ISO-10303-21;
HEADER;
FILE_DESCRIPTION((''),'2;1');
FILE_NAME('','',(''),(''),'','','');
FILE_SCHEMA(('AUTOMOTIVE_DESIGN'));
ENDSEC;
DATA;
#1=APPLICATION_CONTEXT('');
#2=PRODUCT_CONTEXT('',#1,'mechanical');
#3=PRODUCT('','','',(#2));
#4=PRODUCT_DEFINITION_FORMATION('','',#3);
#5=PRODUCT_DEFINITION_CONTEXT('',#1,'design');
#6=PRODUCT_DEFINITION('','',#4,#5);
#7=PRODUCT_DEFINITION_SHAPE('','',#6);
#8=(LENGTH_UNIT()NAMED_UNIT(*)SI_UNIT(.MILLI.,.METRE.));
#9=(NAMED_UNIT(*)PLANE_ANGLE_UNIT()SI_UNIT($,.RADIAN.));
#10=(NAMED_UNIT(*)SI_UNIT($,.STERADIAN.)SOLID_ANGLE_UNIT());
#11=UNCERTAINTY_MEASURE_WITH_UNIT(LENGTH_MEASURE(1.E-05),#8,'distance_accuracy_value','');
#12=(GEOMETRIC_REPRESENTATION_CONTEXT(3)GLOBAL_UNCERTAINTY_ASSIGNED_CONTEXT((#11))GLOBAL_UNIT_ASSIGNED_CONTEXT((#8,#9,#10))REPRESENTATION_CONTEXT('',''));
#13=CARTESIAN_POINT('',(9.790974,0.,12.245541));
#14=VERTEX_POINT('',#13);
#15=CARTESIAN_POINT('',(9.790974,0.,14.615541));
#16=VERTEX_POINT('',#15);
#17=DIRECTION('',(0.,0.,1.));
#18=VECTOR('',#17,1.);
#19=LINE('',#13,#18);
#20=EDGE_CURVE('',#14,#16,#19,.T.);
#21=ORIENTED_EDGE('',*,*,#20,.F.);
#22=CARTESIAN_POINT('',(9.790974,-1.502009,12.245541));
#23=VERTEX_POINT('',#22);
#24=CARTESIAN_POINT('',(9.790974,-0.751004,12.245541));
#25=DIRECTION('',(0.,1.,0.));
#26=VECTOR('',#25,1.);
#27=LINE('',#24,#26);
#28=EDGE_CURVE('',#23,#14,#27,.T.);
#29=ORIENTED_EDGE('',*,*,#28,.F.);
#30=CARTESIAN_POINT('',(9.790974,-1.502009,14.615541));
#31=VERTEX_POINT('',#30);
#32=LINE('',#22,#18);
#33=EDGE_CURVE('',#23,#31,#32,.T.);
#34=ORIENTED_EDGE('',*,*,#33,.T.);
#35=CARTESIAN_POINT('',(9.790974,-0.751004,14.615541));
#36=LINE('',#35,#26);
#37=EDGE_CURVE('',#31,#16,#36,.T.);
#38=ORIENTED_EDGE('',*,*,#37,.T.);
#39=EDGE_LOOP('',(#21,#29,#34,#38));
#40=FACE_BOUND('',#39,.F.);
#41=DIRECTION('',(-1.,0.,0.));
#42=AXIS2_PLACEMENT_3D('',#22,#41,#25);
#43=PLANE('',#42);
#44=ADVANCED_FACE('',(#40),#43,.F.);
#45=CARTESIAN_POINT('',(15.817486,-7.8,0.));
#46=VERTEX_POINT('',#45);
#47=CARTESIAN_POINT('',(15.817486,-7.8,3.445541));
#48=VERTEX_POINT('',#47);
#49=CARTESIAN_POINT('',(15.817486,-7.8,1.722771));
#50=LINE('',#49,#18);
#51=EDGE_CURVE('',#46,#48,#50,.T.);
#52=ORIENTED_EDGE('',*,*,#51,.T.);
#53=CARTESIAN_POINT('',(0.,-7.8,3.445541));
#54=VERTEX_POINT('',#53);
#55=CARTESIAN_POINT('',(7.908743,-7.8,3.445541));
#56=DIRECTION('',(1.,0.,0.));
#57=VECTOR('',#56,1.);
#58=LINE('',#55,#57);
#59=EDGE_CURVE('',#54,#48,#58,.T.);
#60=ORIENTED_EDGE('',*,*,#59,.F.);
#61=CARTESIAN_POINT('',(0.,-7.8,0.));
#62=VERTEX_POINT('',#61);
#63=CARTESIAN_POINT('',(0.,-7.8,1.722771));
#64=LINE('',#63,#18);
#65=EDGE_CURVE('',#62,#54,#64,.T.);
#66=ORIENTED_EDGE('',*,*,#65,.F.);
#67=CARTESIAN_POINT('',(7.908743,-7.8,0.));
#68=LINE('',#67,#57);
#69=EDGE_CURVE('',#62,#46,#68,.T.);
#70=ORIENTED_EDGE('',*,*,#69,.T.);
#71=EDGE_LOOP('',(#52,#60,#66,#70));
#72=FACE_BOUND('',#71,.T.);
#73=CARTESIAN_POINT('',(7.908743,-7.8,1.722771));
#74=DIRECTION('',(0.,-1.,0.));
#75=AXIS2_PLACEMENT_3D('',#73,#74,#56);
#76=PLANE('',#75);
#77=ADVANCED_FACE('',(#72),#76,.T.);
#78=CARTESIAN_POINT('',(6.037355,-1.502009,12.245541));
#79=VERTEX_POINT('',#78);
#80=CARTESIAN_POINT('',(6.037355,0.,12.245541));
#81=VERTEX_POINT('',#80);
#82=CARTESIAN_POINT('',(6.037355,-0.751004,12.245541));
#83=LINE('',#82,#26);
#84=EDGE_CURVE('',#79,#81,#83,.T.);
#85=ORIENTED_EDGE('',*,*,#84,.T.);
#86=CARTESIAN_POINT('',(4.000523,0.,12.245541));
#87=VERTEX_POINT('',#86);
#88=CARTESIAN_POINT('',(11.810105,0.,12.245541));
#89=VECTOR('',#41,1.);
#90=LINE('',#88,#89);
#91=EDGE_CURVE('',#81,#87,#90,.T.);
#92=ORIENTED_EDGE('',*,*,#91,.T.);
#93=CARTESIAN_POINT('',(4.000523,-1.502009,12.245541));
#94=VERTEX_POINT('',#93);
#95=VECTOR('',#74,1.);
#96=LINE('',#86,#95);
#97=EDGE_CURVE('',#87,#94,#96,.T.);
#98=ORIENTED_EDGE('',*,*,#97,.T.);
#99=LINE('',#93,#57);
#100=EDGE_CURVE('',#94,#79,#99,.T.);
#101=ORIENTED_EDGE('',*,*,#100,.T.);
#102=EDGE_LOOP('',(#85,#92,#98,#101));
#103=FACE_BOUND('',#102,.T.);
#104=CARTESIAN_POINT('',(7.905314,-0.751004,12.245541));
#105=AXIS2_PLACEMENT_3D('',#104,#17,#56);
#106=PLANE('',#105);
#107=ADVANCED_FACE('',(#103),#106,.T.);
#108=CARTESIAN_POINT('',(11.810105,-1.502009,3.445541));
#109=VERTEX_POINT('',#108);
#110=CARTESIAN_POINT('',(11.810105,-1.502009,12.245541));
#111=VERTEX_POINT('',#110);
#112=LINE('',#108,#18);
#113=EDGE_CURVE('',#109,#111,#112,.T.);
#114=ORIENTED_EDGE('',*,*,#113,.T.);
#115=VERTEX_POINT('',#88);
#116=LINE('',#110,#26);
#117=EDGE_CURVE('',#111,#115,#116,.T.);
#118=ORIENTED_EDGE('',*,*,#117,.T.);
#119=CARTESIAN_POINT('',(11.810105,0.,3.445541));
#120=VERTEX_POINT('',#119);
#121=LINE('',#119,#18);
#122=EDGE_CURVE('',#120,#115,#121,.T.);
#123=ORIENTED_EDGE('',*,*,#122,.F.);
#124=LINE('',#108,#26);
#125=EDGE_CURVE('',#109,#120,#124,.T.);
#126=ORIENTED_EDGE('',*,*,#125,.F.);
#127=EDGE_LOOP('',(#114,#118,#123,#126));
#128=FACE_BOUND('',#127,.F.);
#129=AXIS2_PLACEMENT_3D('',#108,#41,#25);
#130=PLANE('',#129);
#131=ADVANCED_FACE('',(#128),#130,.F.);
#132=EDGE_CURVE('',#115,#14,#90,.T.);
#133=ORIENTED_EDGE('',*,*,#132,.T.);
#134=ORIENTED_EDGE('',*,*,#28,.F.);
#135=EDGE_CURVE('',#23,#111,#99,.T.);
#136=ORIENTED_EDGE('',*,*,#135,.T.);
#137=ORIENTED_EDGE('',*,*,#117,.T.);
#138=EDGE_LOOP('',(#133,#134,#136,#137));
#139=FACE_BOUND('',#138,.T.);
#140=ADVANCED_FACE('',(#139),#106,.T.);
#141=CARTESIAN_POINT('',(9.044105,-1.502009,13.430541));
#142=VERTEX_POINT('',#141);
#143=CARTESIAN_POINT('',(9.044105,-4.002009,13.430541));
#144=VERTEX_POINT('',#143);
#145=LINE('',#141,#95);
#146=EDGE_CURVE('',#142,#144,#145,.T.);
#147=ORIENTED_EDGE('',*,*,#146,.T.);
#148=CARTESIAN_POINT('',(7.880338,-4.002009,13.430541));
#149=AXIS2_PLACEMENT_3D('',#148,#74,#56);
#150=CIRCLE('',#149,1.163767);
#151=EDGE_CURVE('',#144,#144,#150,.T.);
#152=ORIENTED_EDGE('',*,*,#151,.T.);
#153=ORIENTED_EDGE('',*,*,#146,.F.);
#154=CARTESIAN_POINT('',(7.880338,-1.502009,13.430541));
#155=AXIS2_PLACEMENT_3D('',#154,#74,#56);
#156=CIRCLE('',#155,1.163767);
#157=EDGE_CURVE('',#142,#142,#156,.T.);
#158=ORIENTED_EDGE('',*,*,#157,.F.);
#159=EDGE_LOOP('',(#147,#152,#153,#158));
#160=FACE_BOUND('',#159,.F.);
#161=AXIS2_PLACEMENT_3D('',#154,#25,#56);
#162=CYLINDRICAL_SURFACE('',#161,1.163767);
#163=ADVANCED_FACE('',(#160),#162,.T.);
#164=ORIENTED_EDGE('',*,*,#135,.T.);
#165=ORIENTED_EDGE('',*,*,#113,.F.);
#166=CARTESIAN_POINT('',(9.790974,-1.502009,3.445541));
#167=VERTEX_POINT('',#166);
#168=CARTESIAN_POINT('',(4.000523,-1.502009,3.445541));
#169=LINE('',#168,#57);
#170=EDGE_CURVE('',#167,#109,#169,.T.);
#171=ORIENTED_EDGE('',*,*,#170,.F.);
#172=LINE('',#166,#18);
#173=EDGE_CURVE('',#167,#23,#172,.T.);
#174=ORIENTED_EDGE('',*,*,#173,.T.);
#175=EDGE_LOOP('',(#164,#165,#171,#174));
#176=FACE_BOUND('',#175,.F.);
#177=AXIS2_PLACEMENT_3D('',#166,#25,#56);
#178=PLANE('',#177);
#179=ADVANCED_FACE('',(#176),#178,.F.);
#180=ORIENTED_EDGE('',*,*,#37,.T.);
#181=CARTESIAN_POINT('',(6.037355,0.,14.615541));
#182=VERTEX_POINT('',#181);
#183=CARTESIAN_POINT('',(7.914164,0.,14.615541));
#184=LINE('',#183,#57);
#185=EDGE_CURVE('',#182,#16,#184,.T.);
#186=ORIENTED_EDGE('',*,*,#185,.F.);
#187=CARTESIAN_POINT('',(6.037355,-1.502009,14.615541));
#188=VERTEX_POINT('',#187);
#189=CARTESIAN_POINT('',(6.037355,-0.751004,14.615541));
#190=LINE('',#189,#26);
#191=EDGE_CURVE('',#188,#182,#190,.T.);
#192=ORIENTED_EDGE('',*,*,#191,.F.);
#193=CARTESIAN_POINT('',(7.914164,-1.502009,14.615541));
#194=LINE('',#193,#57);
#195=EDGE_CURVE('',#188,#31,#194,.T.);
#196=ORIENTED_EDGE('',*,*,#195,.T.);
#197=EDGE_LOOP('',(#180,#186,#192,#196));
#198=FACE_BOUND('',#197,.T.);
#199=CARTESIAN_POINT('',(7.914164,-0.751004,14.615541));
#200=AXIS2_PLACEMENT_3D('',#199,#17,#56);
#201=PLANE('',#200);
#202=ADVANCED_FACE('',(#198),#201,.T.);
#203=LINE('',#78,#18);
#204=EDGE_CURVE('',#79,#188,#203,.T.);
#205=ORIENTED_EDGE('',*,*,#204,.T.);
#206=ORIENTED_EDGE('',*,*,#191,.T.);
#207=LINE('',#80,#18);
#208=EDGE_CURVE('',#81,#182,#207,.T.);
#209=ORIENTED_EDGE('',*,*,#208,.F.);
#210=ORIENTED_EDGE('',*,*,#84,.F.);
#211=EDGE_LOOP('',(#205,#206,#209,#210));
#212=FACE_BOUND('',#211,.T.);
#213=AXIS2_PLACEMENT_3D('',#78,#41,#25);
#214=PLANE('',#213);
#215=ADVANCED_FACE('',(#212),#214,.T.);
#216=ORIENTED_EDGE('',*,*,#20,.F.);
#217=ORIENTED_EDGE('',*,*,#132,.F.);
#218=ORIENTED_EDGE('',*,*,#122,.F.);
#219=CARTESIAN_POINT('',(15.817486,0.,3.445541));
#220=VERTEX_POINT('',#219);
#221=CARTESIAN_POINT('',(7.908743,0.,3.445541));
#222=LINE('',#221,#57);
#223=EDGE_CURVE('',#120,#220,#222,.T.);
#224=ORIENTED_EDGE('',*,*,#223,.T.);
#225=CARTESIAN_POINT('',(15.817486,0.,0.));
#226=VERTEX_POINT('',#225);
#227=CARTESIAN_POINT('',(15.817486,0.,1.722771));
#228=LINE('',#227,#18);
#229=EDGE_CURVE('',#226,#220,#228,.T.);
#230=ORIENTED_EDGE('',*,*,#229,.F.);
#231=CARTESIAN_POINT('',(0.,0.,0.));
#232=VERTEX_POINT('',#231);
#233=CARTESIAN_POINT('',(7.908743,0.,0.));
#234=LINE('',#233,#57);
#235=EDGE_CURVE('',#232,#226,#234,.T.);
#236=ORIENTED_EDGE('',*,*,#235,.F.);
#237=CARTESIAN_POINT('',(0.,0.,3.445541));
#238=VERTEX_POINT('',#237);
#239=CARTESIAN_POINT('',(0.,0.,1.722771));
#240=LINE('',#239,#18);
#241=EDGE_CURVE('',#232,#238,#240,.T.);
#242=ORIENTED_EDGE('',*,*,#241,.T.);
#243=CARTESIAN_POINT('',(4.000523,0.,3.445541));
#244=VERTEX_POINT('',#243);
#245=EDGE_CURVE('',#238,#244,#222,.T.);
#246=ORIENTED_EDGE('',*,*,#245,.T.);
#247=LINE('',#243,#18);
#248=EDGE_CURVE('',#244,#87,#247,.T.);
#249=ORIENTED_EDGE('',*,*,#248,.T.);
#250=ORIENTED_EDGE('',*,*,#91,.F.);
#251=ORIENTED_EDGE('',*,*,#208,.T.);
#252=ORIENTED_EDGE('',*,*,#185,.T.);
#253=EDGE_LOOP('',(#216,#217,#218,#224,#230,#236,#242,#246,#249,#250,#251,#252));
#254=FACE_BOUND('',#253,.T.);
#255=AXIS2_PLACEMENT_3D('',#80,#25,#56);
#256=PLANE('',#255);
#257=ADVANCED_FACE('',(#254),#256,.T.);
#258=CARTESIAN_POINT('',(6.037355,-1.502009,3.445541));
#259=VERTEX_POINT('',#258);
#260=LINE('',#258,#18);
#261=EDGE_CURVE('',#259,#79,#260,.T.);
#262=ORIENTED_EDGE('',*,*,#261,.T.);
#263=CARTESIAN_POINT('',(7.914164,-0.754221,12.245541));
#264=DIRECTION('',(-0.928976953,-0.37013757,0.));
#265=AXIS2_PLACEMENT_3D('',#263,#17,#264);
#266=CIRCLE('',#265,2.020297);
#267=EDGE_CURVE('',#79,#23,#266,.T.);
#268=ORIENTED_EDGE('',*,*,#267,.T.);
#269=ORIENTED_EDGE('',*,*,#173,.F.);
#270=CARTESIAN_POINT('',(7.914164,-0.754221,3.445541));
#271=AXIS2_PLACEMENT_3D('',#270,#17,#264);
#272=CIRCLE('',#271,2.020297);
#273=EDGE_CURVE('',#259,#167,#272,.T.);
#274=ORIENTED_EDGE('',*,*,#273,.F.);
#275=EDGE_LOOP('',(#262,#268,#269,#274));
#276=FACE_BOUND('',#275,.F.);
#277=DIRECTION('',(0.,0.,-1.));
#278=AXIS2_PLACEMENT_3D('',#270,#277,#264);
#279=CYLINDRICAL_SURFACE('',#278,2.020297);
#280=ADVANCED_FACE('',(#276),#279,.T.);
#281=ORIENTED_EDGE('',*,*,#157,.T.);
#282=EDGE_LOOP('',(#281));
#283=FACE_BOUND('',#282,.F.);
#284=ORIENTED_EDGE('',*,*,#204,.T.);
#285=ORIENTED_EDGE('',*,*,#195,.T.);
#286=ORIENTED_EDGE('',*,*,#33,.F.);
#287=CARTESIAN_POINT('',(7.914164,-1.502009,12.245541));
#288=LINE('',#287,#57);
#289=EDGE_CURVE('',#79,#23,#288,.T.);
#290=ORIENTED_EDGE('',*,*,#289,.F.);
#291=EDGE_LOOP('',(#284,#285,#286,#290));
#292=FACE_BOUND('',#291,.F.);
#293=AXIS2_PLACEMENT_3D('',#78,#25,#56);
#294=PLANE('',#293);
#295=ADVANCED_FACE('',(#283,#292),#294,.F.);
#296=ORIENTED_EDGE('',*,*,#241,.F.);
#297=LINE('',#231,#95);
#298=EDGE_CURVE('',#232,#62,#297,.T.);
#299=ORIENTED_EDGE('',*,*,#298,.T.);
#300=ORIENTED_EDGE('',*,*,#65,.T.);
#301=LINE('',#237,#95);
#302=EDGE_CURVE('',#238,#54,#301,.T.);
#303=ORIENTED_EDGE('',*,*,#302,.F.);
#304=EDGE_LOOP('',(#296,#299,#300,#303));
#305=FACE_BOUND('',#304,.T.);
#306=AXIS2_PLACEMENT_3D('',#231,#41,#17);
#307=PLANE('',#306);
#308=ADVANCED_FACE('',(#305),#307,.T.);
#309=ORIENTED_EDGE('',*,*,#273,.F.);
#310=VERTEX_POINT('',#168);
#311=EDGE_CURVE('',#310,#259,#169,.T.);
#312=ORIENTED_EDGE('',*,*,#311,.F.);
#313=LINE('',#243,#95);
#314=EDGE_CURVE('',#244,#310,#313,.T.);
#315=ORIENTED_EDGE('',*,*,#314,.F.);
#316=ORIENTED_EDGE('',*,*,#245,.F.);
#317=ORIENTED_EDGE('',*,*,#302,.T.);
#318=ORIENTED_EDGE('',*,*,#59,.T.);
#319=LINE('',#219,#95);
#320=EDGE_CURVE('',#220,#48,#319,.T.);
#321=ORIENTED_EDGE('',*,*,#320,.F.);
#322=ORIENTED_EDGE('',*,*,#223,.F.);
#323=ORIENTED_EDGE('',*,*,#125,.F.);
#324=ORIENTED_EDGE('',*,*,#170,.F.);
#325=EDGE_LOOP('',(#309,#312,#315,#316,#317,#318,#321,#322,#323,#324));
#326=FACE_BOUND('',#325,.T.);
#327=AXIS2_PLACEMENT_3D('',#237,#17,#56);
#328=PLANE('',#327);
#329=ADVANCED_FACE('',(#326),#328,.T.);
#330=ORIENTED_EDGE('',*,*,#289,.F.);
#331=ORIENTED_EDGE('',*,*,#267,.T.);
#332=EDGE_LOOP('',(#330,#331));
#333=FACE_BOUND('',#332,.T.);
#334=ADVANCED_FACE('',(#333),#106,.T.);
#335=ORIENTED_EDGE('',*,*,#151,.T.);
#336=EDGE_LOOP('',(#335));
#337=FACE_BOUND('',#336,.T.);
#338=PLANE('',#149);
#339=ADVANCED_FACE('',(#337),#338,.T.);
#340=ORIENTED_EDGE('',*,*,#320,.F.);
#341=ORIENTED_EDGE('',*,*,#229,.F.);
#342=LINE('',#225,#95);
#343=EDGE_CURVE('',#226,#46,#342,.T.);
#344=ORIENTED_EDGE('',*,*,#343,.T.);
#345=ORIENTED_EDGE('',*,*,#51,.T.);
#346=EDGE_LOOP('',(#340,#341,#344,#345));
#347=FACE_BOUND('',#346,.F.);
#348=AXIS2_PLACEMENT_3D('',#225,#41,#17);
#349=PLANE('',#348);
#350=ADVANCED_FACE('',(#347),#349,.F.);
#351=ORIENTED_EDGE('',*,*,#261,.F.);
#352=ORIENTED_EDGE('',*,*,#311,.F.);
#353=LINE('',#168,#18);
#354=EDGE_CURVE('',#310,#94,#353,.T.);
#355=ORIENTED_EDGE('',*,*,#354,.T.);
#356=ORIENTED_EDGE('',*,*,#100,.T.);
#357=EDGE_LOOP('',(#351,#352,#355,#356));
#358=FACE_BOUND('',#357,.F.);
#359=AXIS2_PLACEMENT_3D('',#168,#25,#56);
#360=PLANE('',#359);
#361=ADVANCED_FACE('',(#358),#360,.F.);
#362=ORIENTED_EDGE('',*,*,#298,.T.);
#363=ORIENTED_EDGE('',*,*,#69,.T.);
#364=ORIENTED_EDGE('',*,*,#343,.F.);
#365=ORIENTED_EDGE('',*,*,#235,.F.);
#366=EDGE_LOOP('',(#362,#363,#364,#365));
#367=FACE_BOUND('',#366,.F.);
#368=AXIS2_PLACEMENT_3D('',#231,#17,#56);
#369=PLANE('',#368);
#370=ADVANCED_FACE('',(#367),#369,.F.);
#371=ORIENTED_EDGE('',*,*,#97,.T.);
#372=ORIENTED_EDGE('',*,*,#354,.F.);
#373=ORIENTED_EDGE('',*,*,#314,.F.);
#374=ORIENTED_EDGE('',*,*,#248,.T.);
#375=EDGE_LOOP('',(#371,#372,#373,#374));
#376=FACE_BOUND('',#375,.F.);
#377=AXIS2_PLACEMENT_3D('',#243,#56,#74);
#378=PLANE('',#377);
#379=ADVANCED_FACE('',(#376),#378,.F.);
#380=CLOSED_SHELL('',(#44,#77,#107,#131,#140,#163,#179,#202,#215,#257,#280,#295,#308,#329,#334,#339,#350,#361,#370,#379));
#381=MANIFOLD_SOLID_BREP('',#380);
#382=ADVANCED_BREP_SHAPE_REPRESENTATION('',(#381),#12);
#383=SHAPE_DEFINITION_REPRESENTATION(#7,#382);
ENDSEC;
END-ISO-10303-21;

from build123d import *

# Parameters (mm, degrees)
F0_W     = 15.8174857497
F0_H     = 3.4455414861
F1_DEPTH = 7.8
F3_DEPTH = 8.8
F4_W     = 3.7536188029
F4_H     = 1.5020088758
F5_DEPTH = 2.37
F6_R     = 1.163766632
F7_DEPTH = 2.5


with BuildPart() as f1:
    # F0 (on Front) → F1 (new body)
    with BuildSketch(Plane.XZ):
        with Locations((7.9087428749, 1.7227707431)):
            Rectangle(F0_W, F0_H)
    extrude(amount=F1_DEPTH)

    # F2 (on face) → F3 (join)
    with BuildSketch(Plane.XY.offset(3.4455414861)):
        Polygon((11.810105294, -1.5020088758), (11.810105294, 0), (4.0005231276, 0), (4.0005231276, -1.5020088758), (6.037354935, -1.5020088758), (9.7909737378, -1.5020088758), align=None)
        with BuildLine():
            ThreePointArc((6.037354935, -1.5020088758), (7.9141643364, -2.7745180875), (9.7909737378, -1.5020088758))
            Line((9.7909737378, -1.5020088758), (6.037354935, -1.5020088758))
        make_face()
    extrude(amount=F3_DEPTH)

    # F4 (on face) → F5 (join)
    with BuildSketch(Plane.XY.offset(12.2455414861)):
        with Locations((7.9141643364, -0.7510044379)):
            Rectangle(F4_W, F4_H)
    extrude(amount=F5_DEPTH)

    # F6 (on face) → F7 (join)
    with BuildSketch(Plane.XZ.offset(1.5020088758)):
        with Locations((7.8803384677, 13.4305414861)):
            Circle(F6_R)
    extrude(amount=F7_DEPTH)


solid = f1.part
